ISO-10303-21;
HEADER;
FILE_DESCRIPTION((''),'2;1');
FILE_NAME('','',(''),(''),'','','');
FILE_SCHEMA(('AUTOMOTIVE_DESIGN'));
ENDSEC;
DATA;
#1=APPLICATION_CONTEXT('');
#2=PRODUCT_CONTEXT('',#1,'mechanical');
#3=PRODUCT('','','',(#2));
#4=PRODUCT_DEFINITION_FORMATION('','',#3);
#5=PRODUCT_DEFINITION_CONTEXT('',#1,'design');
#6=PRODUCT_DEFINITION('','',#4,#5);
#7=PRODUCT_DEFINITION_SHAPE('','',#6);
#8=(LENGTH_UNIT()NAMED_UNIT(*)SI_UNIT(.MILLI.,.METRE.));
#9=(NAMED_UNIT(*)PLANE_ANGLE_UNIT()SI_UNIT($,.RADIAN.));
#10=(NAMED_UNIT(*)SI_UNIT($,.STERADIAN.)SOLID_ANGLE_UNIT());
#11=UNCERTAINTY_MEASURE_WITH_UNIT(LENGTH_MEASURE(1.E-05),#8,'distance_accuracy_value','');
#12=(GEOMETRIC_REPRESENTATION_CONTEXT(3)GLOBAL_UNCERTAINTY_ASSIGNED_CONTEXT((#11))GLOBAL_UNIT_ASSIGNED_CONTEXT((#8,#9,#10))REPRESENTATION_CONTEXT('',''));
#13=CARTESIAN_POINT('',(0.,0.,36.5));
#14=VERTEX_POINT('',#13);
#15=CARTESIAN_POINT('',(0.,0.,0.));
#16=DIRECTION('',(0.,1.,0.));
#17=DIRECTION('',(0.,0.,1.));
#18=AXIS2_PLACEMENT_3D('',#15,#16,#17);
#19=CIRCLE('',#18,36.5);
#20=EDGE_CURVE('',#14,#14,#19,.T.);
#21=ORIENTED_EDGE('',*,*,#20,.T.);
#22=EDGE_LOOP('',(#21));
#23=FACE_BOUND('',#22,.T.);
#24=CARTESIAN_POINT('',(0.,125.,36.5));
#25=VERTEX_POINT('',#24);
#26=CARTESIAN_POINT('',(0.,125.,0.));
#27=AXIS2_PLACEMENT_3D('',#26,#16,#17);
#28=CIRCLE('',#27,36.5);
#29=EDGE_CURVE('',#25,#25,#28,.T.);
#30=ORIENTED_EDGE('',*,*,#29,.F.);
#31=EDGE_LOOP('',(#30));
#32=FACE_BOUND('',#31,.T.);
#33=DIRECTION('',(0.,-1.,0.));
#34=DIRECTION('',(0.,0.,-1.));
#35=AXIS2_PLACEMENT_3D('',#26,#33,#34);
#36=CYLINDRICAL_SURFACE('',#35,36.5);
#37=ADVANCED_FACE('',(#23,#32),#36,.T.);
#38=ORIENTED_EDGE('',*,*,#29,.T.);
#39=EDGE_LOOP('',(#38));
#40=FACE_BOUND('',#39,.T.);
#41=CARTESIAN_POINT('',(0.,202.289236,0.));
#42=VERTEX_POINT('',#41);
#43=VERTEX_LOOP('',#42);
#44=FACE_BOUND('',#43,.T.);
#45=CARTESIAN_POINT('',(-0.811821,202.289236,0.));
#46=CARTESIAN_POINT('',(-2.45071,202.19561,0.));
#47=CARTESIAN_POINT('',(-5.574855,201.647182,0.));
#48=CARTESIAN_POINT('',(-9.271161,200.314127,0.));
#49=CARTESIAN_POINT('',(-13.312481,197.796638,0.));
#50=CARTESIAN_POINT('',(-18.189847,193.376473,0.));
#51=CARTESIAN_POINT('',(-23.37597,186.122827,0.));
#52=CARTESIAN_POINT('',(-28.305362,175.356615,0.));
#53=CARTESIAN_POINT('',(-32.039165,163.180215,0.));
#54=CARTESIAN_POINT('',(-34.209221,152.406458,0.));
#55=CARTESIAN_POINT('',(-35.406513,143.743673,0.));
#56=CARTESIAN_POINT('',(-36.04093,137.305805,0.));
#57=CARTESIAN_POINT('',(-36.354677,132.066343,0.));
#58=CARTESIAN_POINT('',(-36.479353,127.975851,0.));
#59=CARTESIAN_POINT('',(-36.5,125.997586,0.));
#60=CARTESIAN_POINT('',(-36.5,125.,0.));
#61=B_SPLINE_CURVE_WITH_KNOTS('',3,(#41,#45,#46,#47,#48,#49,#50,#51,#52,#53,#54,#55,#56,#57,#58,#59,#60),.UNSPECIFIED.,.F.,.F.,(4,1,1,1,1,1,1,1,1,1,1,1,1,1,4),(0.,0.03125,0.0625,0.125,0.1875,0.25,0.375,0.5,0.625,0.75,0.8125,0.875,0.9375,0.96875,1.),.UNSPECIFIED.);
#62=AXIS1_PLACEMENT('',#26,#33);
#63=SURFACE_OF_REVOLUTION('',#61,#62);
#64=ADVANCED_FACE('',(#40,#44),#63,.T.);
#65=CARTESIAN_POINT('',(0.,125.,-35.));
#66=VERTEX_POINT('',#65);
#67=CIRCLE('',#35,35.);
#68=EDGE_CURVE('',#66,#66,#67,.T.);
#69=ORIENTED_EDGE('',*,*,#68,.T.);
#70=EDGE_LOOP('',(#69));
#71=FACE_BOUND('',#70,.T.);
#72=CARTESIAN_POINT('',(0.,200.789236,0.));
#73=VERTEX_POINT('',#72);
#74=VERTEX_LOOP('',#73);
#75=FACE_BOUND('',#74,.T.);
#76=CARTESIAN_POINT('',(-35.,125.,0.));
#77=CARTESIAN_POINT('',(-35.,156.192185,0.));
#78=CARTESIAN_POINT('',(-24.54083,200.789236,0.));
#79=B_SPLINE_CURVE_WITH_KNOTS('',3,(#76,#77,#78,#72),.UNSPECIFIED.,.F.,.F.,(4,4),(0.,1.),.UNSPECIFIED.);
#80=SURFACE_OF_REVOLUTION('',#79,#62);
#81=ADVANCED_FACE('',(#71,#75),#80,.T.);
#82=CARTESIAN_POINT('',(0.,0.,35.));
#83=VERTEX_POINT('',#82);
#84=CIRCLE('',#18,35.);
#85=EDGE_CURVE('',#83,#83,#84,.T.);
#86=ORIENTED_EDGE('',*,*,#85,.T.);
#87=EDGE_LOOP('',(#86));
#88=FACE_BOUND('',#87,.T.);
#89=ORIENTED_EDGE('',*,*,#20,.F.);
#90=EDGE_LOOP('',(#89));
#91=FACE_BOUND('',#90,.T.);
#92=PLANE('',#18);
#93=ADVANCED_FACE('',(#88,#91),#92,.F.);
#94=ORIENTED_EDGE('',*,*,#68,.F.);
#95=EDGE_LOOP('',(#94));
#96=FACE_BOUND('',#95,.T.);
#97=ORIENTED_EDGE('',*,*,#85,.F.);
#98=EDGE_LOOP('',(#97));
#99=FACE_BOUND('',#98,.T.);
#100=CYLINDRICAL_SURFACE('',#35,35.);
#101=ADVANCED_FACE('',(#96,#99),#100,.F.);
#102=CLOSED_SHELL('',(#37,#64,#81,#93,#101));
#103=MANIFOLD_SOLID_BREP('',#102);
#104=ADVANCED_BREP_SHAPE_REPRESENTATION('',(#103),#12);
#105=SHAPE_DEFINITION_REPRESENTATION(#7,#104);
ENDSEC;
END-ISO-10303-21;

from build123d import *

# Parameters (mm, degrees)
SKETCH1_R           = 36.5
SKETCH1_R_2         = 35
BOSS_EXTRUDE1_DEPTH = 125


with BuildPart() as part:
    # Sketch1 → Boss-Extrude1 (new body)
    with BuildSketch(Plane(origin=(0, 0, 0), x_dir=(1, 0, 0), z_dir=(0, 1, 0))):
        with Locations(Location((0, 0, 0), (0, 0, 270))):
            Circle(SKETCH1_R)
        with Locations(Location((0, 0, 0), (0, 0, 270))):
            Circle(SKETCH1_R_2, mode=Mode.SUBTRACT)
    extrude(amount=BOSS_EXTRUDE1_DEPTH)

    # Sketch2 → Revolve1 (revolve)
    with BuildSketch(Plane.XY, mode=Mode.PRIVATE) as revolve1_sk:
        with BuildLine():
            Line((-35, 125), (-36.5, 125))
            add(Edge.make_bspline(
                [(-36.5, 125), (-36.5, 125.997585893), (-36.479353487, 127.975851313), (-36.354676949, 132.066342852), (-36.040929773, 137.305804837), (-35.406513032, 143.743673364), (-34.209220656, 152.406457609), (-32.03916465, 163.18021492), (-28.305361805, 175.356614503), (-23.375969665, 186.122826782), (-18.18984691, 193.376473422), (-13.312480535, 197.796637624), (-9.271161466, 200.314127167), (-5.574855016, 201.647181738), (-2.450710136, 202.19561005), (-0.811820943, 202.289236321), (0, 202.289236321)],
                knots=[0, 0, 0, 0, 0.03125, 0.0625, 0.125, 0.1875, 0.25, 0.375, 0.5, 0.625, 0.75, 0.8125, 0.875, 0.9375, 0.96875, 1, 1, 1, 1], degree=3))
            Line((0, 202.289236321), (0, 200.789236321))
            add(Edge.make_bspline(
                [(-35, 125), (-35, 156.192184687), (-24.540830293, 200.789236321), (0, 200.789236321)],
                knots=[0, 0, 0, 0, 1, 1, 1, 1], degree=3))
        make_face()
    revolve(revolve1_sk.sketch.rotate(Axis((0, 125, 0), (0, 1, 0)), 270), axis=Axis((0, 125, 0), (0, 1, 0)))


solid = part.part
